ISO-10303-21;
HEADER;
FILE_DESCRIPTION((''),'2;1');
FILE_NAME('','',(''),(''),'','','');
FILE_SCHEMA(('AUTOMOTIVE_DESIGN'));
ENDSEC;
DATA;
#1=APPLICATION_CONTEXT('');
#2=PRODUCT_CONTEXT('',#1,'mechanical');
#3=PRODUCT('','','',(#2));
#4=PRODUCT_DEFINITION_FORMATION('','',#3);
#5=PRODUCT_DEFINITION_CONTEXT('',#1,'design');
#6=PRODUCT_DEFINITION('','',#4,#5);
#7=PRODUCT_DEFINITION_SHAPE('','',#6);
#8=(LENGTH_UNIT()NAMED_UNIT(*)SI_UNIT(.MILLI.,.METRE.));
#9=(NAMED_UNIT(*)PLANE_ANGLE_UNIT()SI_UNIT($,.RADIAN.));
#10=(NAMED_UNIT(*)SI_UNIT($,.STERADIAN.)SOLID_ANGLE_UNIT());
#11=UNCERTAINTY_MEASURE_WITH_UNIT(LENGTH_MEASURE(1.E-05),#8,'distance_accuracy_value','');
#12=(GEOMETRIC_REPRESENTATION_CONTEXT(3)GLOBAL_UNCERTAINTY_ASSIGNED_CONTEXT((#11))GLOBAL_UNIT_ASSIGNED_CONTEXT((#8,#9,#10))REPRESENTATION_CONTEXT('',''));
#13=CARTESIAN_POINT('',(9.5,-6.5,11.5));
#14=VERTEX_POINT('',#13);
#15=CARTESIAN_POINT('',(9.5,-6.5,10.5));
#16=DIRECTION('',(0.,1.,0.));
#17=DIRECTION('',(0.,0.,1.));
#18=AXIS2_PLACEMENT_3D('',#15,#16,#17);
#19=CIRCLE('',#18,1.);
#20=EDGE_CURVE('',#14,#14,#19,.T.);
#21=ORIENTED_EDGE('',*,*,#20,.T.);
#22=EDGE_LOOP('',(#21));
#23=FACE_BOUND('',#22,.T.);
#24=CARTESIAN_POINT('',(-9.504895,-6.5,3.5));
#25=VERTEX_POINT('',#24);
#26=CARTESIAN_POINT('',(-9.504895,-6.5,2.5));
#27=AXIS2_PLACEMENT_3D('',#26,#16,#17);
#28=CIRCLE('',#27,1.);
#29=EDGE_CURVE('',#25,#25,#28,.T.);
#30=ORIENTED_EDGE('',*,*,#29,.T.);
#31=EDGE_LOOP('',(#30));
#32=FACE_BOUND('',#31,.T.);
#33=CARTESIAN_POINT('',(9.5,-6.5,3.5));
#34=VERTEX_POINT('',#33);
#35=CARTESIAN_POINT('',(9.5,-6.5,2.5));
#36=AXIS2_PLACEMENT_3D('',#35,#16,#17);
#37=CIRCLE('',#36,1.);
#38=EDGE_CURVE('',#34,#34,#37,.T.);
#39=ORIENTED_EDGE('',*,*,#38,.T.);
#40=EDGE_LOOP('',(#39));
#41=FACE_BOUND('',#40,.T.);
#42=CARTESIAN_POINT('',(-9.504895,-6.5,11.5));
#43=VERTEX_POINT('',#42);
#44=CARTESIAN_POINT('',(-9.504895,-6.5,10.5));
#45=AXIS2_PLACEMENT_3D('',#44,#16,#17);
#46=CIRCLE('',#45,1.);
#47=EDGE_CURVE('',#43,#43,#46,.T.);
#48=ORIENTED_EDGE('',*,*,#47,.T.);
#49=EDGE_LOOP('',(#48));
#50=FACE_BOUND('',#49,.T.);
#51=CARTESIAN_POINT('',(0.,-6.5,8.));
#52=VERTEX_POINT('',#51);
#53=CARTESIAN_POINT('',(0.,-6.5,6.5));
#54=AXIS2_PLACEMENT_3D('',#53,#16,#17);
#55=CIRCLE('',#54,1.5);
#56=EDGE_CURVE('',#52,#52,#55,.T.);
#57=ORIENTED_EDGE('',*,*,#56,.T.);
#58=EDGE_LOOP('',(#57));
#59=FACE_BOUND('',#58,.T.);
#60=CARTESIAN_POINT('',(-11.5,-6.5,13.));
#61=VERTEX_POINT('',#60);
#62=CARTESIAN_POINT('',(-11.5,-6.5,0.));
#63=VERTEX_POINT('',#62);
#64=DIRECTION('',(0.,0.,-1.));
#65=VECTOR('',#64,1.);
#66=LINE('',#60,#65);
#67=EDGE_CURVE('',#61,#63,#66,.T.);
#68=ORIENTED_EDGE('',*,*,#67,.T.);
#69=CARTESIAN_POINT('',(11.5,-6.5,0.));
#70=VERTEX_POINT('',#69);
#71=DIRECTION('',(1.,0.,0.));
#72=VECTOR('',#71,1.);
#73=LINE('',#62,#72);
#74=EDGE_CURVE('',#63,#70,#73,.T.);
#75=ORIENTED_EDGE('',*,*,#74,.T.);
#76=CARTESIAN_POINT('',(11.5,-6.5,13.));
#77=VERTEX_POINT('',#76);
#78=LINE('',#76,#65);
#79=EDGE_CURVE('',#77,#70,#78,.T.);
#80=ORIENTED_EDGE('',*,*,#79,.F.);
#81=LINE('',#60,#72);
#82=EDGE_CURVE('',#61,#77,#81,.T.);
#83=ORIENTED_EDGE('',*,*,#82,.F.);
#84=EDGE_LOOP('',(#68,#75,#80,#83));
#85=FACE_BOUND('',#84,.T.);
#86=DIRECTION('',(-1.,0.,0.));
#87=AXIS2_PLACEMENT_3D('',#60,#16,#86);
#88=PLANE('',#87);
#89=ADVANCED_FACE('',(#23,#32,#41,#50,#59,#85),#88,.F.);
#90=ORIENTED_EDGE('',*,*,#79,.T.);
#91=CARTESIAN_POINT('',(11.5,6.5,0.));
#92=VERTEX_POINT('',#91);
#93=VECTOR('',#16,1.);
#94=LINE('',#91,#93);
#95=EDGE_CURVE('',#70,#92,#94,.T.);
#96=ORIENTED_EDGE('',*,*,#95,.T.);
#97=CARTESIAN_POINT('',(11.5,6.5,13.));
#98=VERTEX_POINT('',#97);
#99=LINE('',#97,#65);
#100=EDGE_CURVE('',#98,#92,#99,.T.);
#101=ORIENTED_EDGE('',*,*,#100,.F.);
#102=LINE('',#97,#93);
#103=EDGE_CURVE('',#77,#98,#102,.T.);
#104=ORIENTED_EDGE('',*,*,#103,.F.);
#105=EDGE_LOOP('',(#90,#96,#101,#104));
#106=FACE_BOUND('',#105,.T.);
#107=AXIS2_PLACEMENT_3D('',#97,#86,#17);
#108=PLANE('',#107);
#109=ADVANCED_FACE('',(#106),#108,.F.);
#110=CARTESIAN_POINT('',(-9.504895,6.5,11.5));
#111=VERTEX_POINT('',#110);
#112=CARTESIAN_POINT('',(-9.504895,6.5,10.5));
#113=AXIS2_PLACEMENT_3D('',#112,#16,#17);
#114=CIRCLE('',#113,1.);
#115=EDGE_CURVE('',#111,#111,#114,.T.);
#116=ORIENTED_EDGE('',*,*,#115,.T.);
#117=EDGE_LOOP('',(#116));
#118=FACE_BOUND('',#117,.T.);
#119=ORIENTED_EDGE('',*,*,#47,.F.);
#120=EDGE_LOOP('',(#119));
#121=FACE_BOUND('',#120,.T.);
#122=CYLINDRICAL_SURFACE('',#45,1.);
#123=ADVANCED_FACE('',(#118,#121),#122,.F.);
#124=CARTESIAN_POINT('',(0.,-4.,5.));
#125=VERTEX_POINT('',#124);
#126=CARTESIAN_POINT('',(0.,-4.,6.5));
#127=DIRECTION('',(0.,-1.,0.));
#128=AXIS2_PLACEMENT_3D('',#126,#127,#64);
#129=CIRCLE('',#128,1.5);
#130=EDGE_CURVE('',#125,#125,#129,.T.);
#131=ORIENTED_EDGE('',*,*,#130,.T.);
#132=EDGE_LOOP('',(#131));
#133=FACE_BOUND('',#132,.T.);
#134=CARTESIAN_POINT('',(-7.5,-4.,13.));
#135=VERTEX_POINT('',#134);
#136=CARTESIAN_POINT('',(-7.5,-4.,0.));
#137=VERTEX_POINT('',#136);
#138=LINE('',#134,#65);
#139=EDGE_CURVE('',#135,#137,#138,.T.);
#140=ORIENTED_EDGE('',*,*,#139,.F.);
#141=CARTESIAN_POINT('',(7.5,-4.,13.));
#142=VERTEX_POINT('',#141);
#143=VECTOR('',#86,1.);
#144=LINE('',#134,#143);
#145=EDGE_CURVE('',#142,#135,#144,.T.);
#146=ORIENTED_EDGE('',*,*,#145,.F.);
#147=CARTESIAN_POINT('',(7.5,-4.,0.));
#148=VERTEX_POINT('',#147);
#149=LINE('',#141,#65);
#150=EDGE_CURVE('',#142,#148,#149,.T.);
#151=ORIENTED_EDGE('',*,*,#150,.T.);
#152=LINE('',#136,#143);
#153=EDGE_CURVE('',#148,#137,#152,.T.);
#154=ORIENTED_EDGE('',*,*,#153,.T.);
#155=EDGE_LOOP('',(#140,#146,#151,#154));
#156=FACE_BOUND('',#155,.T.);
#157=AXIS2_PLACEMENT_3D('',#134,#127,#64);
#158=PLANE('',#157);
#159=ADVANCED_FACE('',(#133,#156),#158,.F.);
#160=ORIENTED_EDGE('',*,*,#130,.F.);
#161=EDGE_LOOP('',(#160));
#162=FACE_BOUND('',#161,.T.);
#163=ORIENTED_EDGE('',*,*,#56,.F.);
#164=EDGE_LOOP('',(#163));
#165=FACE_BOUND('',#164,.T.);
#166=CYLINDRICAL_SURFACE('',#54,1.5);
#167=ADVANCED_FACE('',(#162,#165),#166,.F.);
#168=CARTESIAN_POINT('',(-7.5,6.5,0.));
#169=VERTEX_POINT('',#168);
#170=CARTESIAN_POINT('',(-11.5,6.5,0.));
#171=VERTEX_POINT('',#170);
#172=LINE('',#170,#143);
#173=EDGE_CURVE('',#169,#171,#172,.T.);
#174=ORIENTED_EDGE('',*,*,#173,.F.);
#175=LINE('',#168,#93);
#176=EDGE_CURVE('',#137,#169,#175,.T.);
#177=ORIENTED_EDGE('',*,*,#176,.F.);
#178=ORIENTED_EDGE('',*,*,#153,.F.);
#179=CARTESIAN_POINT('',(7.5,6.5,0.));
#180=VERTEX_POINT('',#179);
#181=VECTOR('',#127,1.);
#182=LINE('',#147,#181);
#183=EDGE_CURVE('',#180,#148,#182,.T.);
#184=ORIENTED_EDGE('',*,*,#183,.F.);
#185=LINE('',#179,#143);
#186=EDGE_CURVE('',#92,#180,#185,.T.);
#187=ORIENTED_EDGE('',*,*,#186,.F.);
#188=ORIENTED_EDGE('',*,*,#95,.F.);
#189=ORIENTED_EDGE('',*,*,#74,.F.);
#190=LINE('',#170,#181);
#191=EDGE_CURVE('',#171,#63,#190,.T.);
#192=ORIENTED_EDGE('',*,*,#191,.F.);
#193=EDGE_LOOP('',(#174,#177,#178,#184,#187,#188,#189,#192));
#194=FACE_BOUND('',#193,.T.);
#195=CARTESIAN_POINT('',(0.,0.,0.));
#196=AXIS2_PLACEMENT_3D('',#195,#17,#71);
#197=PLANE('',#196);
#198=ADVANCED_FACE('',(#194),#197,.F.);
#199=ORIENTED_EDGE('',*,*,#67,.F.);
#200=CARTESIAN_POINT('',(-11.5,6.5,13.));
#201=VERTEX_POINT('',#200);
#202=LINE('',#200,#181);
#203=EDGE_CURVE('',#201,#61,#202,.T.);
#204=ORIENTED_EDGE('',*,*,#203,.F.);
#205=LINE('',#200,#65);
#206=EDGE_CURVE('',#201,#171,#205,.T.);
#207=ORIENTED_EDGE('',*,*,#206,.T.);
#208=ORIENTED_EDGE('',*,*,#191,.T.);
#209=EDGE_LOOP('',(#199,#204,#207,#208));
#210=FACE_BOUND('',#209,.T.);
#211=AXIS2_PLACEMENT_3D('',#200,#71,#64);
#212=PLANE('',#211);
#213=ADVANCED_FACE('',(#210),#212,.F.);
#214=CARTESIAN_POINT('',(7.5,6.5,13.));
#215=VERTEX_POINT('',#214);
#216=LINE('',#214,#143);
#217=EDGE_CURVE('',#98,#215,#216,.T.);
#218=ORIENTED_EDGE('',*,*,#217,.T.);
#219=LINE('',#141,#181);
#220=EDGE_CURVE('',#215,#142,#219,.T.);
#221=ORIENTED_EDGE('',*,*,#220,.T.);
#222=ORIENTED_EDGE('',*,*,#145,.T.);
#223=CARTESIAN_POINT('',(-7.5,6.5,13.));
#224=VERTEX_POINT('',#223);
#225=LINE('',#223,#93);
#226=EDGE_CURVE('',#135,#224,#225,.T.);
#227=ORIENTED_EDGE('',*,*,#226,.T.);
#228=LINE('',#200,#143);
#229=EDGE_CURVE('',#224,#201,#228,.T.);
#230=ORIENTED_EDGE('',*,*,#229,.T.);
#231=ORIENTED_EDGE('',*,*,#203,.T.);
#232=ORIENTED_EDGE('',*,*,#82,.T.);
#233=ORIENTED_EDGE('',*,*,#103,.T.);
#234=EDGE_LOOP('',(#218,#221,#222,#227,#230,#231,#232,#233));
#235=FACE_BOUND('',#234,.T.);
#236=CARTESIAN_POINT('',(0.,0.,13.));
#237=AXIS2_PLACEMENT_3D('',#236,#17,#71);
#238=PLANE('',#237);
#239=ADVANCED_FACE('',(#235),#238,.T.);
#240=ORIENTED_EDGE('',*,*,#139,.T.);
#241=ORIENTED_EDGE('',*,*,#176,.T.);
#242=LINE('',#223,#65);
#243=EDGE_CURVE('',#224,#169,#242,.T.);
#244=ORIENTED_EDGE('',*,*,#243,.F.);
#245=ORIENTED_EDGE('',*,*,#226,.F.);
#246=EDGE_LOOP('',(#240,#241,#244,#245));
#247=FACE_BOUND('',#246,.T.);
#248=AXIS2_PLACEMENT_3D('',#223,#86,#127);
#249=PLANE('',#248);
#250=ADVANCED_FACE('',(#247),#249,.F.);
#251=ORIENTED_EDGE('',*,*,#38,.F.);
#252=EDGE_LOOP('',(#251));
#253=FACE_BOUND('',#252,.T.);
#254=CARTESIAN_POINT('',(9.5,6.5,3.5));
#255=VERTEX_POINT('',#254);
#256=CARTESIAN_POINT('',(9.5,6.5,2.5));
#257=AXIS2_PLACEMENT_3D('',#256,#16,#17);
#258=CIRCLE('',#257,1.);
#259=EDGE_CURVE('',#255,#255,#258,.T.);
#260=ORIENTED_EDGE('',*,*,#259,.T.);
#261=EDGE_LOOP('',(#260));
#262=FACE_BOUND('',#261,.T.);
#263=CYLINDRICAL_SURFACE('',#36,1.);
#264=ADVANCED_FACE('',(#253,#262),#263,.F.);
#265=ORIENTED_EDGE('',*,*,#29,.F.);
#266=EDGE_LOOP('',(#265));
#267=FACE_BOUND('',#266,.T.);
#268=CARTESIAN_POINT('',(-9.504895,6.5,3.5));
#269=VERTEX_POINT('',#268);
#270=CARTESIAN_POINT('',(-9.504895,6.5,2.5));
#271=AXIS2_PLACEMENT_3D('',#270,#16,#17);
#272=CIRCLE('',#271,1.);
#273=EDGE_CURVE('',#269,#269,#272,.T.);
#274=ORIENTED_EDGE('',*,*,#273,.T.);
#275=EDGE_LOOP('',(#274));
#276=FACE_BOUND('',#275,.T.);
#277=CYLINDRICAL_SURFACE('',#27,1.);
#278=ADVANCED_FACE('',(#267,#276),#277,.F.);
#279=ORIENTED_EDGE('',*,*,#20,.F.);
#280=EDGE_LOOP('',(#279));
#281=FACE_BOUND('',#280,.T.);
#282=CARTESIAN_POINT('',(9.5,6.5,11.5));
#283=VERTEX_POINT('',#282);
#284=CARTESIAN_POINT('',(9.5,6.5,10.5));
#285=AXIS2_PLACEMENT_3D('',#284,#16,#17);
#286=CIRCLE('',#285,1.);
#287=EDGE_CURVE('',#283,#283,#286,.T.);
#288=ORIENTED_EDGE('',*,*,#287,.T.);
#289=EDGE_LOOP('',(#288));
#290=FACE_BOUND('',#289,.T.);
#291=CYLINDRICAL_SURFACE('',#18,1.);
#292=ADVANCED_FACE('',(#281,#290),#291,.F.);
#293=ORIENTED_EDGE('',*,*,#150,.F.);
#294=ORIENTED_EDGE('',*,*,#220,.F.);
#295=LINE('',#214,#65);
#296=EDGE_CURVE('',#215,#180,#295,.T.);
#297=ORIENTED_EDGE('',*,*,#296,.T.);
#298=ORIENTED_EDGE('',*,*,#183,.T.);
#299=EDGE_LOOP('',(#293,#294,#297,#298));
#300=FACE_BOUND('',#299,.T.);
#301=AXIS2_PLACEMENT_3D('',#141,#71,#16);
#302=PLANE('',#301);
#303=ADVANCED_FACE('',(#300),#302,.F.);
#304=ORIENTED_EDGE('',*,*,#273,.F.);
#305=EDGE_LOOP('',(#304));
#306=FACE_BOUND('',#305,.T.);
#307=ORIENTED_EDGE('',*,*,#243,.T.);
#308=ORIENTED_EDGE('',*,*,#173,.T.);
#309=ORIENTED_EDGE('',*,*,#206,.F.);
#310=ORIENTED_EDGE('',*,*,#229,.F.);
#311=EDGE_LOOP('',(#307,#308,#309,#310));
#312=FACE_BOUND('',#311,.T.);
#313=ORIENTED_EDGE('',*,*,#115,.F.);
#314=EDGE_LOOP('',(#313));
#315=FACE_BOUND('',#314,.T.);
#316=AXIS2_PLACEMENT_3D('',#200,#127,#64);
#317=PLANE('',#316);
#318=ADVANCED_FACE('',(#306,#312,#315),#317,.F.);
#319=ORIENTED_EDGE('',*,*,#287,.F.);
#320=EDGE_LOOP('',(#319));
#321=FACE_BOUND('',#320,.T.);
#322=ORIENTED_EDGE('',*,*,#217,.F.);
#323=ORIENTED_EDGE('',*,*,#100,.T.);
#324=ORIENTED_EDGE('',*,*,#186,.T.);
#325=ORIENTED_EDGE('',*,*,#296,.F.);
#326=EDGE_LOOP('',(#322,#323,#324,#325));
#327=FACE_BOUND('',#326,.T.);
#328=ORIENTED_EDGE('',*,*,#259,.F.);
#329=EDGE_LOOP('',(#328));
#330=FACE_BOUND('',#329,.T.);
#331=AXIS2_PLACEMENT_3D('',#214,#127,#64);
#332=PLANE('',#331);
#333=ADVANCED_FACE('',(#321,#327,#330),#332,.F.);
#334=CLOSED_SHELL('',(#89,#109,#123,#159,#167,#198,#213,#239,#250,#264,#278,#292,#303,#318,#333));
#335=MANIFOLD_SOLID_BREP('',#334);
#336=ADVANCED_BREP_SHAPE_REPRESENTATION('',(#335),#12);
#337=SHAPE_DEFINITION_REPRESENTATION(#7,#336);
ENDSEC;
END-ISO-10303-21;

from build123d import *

# Parameters (mm, degrees)
EXTRUDE_1_DEPTH     = 13
SKETCH_2_R          = 1
SKETCH_2_R_2        = 1.5
CUT_EXTRUDE_1_DEPTH = 22.685248442


with BuildPart() as part:
    # 草图1 → 凸台-拉伸1 (new body)
    with BuildSketch(Plane.XY):
        Polygon((-7.5, 6.5), (-7.5, -4), (7.5, -4), (7.5, 6.5), (11.5, 6.5), (11.5, -6.5), (-11.5, -6.5), (-11.5, 6.5), align=None)
    extrude(amount=EXTRUDE_1_DEPTH)

    # 草图2 → 切除-拉伸1 (cut, through all)
    with BuildSketch(Plane(origin=(0, 6.5, 0), x_dir=(1, 0, 0), z_dir=(0, 1, 0))):
        with Locations(Location((-9.504895382, -2.5, 0), (0, 0, 270))):
            Circle(SKETCH_2_R)
        with Locations(Location((-9.504895382, -10.5, 0), (0, 0, 270))):
            Circle(SKETCH_2_R)
        with Locations(Location((9.5, -2.5, 0), (0, 0, 270))):
            Circle(SKETCH_2_R)
        with Locations(Location((9.5, -10.5, 0), (0, 0, 270))):
            Circle(SKETCH_2_R)
        with Locations(Location((0, -6.5, 0), (0, 0, 270))):
            Circle(SKETCH_2_R_2)
    extrude(amount=-CUT_EXTRUDE_1_DEPTH, mode=Mode.SUBTRACT)


solid = part.part
